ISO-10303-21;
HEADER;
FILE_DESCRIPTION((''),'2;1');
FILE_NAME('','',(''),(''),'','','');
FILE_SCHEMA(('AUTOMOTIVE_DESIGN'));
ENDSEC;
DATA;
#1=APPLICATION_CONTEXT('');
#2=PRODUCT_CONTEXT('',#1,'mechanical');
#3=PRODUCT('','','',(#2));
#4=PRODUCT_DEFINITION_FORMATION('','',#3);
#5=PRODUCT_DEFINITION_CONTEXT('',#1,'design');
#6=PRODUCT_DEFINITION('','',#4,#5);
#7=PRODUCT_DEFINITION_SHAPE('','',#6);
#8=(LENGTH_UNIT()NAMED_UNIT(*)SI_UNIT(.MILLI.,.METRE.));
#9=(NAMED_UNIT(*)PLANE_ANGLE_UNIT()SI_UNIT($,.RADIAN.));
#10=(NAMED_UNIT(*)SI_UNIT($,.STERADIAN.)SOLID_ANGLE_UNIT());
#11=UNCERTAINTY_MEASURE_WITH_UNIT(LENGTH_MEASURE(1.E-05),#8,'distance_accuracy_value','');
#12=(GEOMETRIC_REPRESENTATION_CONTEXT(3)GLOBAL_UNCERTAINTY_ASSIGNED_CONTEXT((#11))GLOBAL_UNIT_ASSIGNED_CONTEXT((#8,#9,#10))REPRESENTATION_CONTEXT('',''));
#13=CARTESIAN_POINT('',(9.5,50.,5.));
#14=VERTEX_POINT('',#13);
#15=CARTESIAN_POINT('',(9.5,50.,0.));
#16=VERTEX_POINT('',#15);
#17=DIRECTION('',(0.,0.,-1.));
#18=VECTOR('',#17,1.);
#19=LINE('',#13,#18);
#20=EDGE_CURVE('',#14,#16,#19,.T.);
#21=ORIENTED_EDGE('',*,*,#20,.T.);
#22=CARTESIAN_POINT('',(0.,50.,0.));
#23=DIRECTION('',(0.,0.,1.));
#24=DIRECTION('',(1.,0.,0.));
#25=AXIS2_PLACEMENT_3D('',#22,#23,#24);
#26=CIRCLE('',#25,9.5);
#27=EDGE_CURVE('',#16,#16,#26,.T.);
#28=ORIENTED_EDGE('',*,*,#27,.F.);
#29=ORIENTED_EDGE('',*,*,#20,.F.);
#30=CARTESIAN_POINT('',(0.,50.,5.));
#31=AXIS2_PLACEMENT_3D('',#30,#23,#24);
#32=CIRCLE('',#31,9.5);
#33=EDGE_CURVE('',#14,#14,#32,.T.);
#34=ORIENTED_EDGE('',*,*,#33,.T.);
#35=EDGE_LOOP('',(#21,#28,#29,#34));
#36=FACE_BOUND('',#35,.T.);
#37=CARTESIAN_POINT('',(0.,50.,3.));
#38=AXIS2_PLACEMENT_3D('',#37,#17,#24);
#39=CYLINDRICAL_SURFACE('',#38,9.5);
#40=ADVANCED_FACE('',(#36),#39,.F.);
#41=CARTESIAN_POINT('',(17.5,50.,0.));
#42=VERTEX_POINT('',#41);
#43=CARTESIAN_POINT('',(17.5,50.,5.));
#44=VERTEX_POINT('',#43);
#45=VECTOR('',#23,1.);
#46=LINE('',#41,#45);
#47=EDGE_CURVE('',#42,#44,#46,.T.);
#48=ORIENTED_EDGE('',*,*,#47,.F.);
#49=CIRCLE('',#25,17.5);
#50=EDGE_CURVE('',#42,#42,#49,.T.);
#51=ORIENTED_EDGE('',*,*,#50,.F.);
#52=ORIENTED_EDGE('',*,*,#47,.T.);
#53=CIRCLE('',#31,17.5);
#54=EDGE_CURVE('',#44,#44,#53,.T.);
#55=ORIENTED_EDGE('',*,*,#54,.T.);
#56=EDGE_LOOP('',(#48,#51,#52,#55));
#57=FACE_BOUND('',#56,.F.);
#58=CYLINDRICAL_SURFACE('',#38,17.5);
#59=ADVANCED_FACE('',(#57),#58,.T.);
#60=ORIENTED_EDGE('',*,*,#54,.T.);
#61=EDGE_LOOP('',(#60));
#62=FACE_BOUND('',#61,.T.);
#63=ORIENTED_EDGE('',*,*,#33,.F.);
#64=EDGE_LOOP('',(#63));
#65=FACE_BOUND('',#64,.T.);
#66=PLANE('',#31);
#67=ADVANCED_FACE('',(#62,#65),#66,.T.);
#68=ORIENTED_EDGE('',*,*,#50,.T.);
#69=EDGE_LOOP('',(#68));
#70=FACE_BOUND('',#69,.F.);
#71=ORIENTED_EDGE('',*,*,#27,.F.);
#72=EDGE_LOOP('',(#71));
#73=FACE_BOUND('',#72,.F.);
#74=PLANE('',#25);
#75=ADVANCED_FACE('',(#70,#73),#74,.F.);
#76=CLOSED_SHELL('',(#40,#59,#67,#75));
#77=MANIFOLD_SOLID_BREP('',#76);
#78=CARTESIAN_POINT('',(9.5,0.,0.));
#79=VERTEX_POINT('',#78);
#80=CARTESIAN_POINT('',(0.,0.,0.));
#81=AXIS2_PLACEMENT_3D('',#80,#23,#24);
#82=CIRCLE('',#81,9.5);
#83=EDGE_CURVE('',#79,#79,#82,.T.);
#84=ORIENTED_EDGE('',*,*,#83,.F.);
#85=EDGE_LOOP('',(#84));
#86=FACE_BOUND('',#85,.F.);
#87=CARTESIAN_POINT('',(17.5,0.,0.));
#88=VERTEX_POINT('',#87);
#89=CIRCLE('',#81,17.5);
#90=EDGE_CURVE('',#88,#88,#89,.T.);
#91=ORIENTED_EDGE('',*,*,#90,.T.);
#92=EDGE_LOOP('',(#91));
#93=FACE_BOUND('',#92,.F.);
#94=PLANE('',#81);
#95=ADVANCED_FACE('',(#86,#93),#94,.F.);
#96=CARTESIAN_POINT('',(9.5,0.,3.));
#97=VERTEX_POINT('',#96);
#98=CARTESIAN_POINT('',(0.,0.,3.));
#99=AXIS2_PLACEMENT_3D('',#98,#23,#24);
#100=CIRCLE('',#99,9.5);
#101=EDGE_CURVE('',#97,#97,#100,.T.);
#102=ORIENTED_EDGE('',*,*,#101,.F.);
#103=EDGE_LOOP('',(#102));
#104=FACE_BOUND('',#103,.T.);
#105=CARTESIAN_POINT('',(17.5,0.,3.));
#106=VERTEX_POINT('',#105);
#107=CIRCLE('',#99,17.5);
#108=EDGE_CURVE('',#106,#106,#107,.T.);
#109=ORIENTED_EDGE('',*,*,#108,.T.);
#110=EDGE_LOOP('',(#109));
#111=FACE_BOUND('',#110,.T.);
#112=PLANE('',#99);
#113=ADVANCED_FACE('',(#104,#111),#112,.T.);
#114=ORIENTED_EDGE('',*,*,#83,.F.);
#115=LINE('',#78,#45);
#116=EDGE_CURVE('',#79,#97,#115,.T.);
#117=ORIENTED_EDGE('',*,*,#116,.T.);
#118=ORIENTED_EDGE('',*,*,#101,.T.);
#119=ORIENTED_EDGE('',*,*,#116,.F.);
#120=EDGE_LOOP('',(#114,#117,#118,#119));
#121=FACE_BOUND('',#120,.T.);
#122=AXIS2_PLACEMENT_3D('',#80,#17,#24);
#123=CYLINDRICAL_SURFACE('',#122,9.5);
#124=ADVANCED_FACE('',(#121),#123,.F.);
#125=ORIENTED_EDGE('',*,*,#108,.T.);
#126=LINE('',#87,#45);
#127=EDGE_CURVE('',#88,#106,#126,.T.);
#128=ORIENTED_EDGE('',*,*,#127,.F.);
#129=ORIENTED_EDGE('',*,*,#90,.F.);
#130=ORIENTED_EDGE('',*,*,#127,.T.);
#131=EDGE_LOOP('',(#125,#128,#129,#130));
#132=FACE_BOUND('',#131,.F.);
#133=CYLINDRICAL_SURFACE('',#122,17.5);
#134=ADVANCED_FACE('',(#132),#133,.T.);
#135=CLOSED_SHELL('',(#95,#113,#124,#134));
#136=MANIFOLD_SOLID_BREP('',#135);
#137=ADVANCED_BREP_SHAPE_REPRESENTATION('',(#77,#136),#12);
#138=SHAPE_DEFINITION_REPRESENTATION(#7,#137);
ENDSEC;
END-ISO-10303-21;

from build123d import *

# Parameters (mm, degrees)
F0_R     = 17.5
F0_R_2   = 9.5
F1_DEPTH = 3
F3_DEPTH = 2


with BuildPart() as f1:
    # F0 (on Top) → F1 (new body)
    with BuildSketch(Plane.XY):
        Circle(F0_R)
        Circle(F0_R_2, mode=Mode.SUBTRACT)
    extrude(amount=F1_DEPTH)


with BuildPart() as f2_1:
    # F2: copy of F1
    add(f1.part.moved(Location((0, 50, 0))))

    # F3 (add): a face of the model
    f3_faces = [f2_1.faces().sort_by_distance(p)[0] for p in [
        (-17.0050252532, 50, 3),
    ]]
    extrude(f3_faces, amount=F3_DEPTH)


solid = Compound([f1.part, f2_1.part])
